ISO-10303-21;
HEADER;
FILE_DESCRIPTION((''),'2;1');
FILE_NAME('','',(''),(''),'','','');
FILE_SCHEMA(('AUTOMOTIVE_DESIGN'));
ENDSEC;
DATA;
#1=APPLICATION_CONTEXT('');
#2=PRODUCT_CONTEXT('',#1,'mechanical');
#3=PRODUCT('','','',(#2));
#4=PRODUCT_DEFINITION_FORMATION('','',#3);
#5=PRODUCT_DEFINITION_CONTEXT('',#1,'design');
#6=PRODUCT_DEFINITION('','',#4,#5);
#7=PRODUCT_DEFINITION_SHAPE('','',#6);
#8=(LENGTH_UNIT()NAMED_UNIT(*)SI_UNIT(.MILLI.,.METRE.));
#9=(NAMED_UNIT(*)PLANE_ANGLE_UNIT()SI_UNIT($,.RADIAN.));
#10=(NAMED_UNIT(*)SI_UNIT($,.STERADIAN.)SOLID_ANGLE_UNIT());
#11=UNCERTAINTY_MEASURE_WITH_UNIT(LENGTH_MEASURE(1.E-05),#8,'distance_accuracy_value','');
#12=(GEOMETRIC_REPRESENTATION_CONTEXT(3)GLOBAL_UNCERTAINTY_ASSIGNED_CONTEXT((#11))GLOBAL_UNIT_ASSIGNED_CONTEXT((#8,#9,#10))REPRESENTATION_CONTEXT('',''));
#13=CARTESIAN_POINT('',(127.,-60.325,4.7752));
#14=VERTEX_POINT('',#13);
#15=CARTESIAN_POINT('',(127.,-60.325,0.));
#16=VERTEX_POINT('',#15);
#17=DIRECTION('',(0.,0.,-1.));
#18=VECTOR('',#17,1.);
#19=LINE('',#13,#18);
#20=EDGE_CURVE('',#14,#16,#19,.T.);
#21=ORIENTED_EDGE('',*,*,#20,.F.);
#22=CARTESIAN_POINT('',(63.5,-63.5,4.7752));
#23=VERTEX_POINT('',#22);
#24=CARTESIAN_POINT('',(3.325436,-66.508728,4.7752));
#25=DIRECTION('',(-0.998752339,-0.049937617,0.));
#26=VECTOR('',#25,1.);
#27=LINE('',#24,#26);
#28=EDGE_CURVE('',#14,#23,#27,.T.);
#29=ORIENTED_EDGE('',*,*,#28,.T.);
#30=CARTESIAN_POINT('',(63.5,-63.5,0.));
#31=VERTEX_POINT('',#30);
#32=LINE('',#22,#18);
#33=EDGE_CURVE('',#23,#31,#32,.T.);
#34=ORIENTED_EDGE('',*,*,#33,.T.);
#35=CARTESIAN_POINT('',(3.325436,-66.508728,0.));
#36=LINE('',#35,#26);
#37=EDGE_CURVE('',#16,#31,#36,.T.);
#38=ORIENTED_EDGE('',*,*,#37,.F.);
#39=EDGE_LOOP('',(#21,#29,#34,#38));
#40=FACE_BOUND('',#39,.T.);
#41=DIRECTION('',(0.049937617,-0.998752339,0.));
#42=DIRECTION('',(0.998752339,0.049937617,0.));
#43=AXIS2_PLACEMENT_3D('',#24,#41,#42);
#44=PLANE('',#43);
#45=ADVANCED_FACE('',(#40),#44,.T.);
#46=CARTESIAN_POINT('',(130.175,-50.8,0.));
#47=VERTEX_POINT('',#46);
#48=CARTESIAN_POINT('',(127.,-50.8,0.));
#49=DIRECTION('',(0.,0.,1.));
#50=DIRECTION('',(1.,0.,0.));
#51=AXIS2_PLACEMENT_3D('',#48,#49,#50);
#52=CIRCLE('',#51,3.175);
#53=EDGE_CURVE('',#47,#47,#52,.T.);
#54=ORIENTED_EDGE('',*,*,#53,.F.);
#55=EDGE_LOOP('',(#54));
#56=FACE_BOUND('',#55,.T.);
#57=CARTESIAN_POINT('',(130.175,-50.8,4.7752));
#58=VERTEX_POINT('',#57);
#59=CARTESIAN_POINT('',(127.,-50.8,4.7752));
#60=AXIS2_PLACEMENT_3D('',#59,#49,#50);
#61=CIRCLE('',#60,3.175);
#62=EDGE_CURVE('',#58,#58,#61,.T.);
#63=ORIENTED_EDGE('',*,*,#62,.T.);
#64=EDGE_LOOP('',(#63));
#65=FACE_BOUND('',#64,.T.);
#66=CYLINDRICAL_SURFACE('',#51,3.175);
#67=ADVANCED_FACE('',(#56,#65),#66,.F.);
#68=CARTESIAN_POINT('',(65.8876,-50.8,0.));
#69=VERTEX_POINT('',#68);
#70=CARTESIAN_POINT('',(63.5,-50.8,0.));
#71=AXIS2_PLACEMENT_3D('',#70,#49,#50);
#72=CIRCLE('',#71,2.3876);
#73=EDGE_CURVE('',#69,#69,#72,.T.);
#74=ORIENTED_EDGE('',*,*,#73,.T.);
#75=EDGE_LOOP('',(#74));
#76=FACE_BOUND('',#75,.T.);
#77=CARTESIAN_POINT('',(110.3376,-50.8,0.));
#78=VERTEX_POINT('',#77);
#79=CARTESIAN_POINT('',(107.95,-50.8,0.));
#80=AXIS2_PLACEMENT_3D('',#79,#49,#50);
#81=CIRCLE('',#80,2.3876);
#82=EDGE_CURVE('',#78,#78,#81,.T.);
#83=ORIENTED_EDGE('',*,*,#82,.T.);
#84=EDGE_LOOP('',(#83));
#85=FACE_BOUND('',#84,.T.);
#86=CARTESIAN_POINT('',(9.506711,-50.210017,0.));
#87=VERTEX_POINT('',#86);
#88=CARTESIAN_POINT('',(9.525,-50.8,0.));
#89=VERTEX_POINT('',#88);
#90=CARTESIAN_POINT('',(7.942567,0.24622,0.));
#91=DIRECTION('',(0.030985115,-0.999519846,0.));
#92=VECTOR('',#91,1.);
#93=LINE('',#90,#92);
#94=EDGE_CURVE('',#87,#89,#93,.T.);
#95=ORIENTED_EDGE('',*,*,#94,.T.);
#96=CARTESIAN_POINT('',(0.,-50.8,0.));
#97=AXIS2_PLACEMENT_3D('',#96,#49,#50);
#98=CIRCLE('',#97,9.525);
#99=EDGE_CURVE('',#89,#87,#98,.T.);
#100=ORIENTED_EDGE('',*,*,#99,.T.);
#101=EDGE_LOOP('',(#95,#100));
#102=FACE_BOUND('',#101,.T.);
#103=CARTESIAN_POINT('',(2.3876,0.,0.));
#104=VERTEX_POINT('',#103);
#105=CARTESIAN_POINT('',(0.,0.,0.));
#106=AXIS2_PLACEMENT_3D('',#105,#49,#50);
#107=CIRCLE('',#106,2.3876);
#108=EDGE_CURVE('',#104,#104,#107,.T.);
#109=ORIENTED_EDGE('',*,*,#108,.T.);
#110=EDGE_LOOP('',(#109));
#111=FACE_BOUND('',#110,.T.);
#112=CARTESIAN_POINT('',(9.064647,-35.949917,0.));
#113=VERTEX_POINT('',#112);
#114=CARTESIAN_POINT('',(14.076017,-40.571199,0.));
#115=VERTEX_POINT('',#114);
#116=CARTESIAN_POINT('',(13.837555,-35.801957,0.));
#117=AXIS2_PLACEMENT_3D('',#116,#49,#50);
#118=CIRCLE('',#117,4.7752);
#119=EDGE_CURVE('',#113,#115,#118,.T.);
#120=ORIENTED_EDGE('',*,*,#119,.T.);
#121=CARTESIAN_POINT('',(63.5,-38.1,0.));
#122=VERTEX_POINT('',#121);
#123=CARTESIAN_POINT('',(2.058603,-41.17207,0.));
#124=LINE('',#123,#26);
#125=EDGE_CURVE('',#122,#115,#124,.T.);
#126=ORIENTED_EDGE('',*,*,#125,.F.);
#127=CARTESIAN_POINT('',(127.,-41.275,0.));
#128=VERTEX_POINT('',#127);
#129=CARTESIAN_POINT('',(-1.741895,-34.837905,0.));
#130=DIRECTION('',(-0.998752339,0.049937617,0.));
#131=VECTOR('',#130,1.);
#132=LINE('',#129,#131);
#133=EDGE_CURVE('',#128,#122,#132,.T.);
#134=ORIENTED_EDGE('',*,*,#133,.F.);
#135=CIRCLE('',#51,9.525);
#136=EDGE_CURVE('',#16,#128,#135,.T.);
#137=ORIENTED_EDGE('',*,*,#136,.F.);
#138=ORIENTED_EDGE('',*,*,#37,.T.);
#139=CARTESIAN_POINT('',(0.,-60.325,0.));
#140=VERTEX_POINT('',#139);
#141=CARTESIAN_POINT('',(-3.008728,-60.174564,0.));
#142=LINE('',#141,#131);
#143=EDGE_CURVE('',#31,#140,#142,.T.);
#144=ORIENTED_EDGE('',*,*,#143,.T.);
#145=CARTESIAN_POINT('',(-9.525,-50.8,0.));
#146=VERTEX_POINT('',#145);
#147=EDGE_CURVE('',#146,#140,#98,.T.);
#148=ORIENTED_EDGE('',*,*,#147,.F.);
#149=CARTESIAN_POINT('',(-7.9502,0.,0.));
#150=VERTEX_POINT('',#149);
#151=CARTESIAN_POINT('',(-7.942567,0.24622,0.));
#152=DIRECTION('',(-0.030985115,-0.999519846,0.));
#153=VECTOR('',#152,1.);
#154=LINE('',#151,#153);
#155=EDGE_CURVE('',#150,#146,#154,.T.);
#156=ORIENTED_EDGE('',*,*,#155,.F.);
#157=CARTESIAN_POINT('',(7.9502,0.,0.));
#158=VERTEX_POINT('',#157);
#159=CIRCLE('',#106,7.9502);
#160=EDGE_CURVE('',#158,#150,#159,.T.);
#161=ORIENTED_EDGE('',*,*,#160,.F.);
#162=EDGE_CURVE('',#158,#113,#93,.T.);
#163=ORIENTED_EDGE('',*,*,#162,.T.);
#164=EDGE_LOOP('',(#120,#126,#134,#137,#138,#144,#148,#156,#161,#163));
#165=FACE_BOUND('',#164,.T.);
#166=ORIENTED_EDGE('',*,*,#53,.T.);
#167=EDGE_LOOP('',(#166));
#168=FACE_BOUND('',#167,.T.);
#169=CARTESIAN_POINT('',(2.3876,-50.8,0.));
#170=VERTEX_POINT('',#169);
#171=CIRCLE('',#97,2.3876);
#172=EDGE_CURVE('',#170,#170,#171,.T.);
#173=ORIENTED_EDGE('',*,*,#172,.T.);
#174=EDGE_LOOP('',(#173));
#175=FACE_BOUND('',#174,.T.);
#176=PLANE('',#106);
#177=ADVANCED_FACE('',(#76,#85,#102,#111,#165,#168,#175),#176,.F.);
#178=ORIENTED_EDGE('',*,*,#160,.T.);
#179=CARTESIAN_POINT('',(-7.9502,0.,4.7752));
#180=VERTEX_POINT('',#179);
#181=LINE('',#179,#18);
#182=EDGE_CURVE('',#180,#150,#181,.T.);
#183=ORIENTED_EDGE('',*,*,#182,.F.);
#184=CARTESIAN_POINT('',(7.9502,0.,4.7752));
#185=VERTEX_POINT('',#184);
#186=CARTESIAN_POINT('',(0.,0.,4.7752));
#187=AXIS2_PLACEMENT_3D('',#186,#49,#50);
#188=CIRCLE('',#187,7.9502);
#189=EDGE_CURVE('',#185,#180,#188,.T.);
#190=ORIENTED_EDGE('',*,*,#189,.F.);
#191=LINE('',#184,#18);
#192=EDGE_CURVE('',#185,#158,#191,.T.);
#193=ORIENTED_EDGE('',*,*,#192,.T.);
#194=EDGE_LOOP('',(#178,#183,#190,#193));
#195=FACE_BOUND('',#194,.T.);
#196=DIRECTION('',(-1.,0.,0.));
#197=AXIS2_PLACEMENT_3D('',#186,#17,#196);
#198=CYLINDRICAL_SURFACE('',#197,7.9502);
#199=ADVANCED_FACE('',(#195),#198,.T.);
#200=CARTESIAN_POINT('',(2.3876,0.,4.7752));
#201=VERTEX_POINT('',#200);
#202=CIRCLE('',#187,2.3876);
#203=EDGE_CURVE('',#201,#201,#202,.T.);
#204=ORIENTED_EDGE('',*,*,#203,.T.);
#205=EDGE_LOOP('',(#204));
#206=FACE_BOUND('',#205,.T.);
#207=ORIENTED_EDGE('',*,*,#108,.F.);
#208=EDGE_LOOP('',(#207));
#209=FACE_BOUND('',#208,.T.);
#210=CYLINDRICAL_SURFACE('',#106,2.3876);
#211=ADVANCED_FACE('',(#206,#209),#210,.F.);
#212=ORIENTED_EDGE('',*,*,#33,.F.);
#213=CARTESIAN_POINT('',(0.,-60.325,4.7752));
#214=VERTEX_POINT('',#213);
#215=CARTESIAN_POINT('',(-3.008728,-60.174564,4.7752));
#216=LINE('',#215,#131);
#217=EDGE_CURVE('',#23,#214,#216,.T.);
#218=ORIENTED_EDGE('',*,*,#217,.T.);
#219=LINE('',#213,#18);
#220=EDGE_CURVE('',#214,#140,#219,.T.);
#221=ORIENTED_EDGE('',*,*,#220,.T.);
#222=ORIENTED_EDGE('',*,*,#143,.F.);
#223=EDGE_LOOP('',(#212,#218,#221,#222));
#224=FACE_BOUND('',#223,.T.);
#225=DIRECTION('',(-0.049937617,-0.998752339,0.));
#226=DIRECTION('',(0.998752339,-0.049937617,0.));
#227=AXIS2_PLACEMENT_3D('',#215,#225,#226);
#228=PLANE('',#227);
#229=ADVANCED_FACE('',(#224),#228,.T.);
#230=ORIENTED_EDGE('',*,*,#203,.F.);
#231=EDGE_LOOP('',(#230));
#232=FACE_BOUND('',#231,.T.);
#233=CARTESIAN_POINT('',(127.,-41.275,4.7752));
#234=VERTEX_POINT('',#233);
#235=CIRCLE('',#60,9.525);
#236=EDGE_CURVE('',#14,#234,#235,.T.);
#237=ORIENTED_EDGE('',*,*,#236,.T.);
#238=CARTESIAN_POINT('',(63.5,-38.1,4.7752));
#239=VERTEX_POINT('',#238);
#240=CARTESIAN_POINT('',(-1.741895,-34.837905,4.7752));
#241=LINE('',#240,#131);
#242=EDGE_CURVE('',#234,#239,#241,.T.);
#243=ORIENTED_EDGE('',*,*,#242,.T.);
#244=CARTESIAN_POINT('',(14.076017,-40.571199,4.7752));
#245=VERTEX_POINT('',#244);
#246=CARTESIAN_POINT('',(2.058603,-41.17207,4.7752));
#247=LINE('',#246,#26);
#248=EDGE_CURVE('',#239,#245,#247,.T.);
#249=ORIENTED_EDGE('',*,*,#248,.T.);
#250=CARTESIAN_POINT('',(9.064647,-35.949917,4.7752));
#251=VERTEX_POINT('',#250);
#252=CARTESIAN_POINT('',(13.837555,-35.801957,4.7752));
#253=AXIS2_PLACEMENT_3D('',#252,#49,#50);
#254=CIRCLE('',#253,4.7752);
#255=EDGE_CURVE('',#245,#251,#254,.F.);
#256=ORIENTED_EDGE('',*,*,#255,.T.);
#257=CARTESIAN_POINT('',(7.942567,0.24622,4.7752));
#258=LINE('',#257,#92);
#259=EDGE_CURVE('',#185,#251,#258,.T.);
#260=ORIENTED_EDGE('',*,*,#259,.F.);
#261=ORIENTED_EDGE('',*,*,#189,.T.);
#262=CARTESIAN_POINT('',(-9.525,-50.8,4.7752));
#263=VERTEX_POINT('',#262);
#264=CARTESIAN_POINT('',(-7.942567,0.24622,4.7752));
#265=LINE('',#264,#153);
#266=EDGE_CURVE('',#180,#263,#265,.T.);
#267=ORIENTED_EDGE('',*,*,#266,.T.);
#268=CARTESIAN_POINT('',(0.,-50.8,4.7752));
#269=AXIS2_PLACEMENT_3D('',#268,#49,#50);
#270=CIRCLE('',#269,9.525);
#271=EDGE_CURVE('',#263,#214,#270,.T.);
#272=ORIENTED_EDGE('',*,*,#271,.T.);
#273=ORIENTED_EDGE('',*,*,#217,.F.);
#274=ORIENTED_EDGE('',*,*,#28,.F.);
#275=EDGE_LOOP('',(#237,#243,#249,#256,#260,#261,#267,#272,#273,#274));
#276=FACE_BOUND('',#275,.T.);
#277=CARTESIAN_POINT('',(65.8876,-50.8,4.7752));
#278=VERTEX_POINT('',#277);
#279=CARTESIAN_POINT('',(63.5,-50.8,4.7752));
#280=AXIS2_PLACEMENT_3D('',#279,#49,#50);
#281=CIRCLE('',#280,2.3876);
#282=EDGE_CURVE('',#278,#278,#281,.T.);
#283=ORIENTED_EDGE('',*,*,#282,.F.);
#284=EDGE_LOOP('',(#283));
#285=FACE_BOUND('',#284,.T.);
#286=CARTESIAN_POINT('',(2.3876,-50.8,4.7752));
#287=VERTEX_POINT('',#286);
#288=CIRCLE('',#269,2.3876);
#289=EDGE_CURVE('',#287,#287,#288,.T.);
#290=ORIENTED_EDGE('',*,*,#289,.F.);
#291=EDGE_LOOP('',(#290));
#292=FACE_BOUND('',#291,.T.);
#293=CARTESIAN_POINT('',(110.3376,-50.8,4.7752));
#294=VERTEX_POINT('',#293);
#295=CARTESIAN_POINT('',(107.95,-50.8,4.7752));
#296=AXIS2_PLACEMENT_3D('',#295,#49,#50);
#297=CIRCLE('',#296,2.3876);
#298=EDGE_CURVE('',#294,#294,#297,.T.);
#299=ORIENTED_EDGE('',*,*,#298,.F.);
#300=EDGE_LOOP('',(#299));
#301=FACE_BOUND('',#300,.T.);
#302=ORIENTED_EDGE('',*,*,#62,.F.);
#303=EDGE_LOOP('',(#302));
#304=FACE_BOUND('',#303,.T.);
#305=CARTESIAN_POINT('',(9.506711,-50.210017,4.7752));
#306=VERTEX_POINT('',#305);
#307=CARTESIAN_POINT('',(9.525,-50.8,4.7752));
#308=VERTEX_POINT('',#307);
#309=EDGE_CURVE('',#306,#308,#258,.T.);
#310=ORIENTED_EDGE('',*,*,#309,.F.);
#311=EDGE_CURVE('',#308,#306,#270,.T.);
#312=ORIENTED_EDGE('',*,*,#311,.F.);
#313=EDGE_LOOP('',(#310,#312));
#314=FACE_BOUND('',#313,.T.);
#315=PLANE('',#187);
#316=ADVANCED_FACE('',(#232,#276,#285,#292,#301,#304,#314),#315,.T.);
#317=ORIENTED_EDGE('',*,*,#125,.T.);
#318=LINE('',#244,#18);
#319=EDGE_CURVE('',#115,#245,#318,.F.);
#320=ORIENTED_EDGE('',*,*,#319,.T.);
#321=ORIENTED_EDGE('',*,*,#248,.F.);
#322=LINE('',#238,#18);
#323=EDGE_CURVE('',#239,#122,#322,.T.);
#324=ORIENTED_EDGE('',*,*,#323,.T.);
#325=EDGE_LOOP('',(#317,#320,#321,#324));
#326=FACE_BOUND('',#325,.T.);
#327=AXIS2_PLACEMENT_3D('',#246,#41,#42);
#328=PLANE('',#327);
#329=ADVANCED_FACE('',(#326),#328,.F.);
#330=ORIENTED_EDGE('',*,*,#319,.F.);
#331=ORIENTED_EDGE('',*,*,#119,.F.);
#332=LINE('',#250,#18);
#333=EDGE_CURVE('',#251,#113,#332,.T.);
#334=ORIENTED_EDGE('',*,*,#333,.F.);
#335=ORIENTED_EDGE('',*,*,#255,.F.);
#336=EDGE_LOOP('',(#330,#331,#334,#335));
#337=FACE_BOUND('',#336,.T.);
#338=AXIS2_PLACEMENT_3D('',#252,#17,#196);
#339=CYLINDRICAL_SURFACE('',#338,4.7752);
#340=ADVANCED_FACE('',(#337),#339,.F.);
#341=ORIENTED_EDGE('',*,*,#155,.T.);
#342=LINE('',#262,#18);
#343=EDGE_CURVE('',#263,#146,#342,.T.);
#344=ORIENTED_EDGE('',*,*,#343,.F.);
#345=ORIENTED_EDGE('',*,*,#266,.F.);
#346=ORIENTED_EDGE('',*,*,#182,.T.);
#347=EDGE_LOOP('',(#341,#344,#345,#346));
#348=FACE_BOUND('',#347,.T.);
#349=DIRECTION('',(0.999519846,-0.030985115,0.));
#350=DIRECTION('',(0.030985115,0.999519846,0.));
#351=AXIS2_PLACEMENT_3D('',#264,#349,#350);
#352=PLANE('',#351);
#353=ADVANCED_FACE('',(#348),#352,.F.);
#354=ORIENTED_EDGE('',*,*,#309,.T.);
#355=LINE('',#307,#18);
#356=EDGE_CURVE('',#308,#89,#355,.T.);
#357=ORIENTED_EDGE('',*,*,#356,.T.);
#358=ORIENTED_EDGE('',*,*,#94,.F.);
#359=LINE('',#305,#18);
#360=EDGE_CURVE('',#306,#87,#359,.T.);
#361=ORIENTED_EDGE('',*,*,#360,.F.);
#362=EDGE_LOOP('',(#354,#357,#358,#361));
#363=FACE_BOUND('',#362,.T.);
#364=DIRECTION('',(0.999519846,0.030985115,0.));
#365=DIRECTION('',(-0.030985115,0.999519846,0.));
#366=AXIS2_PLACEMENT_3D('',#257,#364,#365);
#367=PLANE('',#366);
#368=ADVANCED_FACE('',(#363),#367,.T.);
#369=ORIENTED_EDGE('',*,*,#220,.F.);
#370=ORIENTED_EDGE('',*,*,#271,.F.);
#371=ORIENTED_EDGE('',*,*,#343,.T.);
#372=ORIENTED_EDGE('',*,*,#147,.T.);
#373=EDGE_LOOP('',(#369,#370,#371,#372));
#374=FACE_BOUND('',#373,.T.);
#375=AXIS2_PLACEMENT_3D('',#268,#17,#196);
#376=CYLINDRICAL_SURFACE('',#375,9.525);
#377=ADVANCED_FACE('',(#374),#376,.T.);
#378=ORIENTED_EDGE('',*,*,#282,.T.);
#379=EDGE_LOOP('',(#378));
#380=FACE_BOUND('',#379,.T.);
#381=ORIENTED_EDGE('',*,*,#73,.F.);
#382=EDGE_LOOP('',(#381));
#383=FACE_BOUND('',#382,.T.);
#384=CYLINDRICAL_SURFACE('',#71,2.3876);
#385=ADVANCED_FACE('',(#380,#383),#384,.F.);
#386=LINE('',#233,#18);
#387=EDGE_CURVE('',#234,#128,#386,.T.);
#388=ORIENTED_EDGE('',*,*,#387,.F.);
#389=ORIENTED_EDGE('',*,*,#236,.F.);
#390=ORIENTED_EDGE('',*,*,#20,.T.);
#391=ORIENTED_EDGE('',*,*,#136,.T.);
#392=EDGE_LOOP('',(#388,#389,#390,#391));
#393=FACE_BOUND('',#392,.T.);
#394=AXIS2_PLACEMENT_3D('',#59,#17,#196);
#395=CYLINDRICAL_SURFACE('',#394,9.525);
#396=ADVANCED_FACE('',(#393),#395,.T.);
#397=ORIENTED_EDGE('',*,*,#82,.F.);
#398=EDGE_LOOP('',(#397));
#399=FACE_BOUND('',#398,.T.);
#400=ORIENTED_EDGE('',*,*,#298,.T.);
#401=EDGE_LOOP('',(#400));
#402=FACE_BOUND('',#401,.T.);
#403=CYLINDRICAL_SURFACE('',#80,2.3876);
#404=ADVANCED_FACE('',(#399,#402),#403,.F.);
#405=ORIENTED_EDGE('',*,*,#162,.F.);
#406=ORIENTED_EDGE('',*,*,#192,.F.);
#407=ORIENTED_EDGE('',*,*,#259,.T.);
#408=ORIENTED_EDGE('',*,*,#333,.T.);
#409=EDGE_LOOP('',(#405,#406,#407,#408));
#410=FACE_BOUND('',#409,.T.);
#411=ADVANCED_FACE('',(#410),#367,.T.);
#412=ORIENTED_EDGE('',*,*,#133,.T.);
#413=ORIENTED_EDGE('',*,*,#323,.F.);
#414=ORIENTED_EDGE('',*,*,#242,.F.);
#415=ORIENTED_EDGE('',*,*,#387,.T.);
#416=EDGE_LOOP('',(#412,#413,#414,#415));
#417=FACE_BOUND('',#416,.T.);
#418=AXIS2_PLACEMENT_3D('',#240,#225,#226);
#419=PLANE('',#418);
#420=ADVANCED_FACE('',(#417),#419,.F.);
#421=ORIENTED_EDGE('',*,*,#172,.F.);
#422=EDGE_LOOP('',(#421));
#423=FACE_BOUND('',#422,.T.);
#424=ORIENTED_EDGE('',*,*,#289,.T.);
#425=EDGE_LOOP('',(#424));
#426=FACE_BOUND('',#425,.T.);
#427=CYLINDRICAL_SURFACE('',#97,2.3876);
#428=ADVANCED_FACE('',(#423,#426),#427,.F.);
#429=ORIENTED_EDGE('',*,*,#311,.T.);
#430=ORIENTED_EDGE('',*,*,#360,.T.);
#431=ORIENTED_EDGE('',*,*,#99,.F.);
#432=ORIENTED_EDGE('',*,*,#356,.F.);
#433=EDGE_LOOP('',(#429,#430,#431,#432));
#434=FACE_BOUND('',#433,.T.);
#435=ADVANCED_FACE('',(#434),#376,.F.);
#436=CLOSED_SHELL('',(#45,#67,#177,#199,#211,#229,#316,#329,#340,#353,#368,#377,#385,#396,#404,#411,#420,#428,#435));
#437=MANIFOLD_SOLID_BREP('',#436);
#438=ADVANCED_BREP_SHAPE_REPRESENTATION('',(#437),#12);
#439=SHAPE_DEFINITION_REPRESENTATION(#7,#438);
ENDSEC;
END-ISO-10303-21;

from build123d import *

# Parameters (mm, degrees)
BOSS_EXTRUDE1_DEPTH = 4.7752
FILLET1_R           = 4.7752
SKETCH2_R           = 2.3876
CUT_EXTRUDE1_DEPTH  = 151.645704088
SKETCH3_R           = 3.175
CUT_EXTRUDE2_DEPTH  = 4.7752


with BuildPart() as part:
    # Sketch1 → Boss-Extrude1 (new body)
    with BuildSketch(Plane.XY):
        with BuildLine():
            ThreePointArc((7.9502, 0), (0, 7.9502), (-7.9502, 0))
            Line((-7.9502, 0), (-9.506710526, -50.210016974))
            Line((-9.506710526, -50.210016974), (-9.525, -50.8))
            ThreePointArc((-9.525, -50.8), (-6.735192091, -57.535192091), (0, -60.325))
            Line((0, -60.325), (62.233167082, -63.436658354))
            Line((62.233167082, -63.436658354), (63.5, -63.5))
            Line((63.5, -63.5), (64.766832918, -63.436658354))
            Line((64.766832918, -63.436658354), (127, -60.325))
            ThreePointArc((127, -60.325), (136.525, -50.8), (127, -41.275))
            Line((127, -41.275), (64.766832918, -38.163341646))
            Line((64.766832918, -38.163341646), (63.5, -38.1))
            Line((63.5, -38.1), (62.233167082, -38.163341646))
            Line((62.233167082, -38.163341646), (9.215441066, -40.814227947))
            Line((9.215441066, -40.814227947), (7.9502, 0))
        make_face()
        with BuildLine():
            Line((9.525, -50.8), (9.506710526, -50.210016974))
            ThreePointArc((9.506710526, -50.210016974), (9.520426534, -50.504866777), (9.525, -50.8))
        make_face(mode=Mode.SUBTRACT)
    extrude(amount=BOSS_EXTRUDE1_DEPTH)

    # Fillet1
    fillet1_edges = [part.edges().sort_by_distance(p)[0] for p in [
        (9.215441066, -40.814227947, 2.3876),
    ]]
    fillet(fillet1_edges, radius=FILLET1_R)

    # Sketch2 → Cut-Extrude1 (cut, through all)
    with BuildSketch(Plane.XY.offset(4.7752)):
        Circle(SKETCH2_R)
        with Locations((0, -50.8)):
            Circle(SKETCH2_R)
        with Locations((63.5, -50.8)):
            Circle(SKETCH2_R)
        with Locations((107.95, -50.8)):
            Circle(SKETCH2_R)
    extrude(amount=-CUT_EXTRUDE1_DEPTH, mode=Mode.SUBTRACT)

    # Sketch3 → Cut-Extrude2 (cut)
    with BuildSketch(Plane.XY.offset(4.7752)):
        with Locations((127, -50.8)):
            Circle(SKETCH3_R)
    extrude(amount=-CUT_EXTRUDE2_DEPTH, mode=Mode.SUBTRACT)


solid = part.part
